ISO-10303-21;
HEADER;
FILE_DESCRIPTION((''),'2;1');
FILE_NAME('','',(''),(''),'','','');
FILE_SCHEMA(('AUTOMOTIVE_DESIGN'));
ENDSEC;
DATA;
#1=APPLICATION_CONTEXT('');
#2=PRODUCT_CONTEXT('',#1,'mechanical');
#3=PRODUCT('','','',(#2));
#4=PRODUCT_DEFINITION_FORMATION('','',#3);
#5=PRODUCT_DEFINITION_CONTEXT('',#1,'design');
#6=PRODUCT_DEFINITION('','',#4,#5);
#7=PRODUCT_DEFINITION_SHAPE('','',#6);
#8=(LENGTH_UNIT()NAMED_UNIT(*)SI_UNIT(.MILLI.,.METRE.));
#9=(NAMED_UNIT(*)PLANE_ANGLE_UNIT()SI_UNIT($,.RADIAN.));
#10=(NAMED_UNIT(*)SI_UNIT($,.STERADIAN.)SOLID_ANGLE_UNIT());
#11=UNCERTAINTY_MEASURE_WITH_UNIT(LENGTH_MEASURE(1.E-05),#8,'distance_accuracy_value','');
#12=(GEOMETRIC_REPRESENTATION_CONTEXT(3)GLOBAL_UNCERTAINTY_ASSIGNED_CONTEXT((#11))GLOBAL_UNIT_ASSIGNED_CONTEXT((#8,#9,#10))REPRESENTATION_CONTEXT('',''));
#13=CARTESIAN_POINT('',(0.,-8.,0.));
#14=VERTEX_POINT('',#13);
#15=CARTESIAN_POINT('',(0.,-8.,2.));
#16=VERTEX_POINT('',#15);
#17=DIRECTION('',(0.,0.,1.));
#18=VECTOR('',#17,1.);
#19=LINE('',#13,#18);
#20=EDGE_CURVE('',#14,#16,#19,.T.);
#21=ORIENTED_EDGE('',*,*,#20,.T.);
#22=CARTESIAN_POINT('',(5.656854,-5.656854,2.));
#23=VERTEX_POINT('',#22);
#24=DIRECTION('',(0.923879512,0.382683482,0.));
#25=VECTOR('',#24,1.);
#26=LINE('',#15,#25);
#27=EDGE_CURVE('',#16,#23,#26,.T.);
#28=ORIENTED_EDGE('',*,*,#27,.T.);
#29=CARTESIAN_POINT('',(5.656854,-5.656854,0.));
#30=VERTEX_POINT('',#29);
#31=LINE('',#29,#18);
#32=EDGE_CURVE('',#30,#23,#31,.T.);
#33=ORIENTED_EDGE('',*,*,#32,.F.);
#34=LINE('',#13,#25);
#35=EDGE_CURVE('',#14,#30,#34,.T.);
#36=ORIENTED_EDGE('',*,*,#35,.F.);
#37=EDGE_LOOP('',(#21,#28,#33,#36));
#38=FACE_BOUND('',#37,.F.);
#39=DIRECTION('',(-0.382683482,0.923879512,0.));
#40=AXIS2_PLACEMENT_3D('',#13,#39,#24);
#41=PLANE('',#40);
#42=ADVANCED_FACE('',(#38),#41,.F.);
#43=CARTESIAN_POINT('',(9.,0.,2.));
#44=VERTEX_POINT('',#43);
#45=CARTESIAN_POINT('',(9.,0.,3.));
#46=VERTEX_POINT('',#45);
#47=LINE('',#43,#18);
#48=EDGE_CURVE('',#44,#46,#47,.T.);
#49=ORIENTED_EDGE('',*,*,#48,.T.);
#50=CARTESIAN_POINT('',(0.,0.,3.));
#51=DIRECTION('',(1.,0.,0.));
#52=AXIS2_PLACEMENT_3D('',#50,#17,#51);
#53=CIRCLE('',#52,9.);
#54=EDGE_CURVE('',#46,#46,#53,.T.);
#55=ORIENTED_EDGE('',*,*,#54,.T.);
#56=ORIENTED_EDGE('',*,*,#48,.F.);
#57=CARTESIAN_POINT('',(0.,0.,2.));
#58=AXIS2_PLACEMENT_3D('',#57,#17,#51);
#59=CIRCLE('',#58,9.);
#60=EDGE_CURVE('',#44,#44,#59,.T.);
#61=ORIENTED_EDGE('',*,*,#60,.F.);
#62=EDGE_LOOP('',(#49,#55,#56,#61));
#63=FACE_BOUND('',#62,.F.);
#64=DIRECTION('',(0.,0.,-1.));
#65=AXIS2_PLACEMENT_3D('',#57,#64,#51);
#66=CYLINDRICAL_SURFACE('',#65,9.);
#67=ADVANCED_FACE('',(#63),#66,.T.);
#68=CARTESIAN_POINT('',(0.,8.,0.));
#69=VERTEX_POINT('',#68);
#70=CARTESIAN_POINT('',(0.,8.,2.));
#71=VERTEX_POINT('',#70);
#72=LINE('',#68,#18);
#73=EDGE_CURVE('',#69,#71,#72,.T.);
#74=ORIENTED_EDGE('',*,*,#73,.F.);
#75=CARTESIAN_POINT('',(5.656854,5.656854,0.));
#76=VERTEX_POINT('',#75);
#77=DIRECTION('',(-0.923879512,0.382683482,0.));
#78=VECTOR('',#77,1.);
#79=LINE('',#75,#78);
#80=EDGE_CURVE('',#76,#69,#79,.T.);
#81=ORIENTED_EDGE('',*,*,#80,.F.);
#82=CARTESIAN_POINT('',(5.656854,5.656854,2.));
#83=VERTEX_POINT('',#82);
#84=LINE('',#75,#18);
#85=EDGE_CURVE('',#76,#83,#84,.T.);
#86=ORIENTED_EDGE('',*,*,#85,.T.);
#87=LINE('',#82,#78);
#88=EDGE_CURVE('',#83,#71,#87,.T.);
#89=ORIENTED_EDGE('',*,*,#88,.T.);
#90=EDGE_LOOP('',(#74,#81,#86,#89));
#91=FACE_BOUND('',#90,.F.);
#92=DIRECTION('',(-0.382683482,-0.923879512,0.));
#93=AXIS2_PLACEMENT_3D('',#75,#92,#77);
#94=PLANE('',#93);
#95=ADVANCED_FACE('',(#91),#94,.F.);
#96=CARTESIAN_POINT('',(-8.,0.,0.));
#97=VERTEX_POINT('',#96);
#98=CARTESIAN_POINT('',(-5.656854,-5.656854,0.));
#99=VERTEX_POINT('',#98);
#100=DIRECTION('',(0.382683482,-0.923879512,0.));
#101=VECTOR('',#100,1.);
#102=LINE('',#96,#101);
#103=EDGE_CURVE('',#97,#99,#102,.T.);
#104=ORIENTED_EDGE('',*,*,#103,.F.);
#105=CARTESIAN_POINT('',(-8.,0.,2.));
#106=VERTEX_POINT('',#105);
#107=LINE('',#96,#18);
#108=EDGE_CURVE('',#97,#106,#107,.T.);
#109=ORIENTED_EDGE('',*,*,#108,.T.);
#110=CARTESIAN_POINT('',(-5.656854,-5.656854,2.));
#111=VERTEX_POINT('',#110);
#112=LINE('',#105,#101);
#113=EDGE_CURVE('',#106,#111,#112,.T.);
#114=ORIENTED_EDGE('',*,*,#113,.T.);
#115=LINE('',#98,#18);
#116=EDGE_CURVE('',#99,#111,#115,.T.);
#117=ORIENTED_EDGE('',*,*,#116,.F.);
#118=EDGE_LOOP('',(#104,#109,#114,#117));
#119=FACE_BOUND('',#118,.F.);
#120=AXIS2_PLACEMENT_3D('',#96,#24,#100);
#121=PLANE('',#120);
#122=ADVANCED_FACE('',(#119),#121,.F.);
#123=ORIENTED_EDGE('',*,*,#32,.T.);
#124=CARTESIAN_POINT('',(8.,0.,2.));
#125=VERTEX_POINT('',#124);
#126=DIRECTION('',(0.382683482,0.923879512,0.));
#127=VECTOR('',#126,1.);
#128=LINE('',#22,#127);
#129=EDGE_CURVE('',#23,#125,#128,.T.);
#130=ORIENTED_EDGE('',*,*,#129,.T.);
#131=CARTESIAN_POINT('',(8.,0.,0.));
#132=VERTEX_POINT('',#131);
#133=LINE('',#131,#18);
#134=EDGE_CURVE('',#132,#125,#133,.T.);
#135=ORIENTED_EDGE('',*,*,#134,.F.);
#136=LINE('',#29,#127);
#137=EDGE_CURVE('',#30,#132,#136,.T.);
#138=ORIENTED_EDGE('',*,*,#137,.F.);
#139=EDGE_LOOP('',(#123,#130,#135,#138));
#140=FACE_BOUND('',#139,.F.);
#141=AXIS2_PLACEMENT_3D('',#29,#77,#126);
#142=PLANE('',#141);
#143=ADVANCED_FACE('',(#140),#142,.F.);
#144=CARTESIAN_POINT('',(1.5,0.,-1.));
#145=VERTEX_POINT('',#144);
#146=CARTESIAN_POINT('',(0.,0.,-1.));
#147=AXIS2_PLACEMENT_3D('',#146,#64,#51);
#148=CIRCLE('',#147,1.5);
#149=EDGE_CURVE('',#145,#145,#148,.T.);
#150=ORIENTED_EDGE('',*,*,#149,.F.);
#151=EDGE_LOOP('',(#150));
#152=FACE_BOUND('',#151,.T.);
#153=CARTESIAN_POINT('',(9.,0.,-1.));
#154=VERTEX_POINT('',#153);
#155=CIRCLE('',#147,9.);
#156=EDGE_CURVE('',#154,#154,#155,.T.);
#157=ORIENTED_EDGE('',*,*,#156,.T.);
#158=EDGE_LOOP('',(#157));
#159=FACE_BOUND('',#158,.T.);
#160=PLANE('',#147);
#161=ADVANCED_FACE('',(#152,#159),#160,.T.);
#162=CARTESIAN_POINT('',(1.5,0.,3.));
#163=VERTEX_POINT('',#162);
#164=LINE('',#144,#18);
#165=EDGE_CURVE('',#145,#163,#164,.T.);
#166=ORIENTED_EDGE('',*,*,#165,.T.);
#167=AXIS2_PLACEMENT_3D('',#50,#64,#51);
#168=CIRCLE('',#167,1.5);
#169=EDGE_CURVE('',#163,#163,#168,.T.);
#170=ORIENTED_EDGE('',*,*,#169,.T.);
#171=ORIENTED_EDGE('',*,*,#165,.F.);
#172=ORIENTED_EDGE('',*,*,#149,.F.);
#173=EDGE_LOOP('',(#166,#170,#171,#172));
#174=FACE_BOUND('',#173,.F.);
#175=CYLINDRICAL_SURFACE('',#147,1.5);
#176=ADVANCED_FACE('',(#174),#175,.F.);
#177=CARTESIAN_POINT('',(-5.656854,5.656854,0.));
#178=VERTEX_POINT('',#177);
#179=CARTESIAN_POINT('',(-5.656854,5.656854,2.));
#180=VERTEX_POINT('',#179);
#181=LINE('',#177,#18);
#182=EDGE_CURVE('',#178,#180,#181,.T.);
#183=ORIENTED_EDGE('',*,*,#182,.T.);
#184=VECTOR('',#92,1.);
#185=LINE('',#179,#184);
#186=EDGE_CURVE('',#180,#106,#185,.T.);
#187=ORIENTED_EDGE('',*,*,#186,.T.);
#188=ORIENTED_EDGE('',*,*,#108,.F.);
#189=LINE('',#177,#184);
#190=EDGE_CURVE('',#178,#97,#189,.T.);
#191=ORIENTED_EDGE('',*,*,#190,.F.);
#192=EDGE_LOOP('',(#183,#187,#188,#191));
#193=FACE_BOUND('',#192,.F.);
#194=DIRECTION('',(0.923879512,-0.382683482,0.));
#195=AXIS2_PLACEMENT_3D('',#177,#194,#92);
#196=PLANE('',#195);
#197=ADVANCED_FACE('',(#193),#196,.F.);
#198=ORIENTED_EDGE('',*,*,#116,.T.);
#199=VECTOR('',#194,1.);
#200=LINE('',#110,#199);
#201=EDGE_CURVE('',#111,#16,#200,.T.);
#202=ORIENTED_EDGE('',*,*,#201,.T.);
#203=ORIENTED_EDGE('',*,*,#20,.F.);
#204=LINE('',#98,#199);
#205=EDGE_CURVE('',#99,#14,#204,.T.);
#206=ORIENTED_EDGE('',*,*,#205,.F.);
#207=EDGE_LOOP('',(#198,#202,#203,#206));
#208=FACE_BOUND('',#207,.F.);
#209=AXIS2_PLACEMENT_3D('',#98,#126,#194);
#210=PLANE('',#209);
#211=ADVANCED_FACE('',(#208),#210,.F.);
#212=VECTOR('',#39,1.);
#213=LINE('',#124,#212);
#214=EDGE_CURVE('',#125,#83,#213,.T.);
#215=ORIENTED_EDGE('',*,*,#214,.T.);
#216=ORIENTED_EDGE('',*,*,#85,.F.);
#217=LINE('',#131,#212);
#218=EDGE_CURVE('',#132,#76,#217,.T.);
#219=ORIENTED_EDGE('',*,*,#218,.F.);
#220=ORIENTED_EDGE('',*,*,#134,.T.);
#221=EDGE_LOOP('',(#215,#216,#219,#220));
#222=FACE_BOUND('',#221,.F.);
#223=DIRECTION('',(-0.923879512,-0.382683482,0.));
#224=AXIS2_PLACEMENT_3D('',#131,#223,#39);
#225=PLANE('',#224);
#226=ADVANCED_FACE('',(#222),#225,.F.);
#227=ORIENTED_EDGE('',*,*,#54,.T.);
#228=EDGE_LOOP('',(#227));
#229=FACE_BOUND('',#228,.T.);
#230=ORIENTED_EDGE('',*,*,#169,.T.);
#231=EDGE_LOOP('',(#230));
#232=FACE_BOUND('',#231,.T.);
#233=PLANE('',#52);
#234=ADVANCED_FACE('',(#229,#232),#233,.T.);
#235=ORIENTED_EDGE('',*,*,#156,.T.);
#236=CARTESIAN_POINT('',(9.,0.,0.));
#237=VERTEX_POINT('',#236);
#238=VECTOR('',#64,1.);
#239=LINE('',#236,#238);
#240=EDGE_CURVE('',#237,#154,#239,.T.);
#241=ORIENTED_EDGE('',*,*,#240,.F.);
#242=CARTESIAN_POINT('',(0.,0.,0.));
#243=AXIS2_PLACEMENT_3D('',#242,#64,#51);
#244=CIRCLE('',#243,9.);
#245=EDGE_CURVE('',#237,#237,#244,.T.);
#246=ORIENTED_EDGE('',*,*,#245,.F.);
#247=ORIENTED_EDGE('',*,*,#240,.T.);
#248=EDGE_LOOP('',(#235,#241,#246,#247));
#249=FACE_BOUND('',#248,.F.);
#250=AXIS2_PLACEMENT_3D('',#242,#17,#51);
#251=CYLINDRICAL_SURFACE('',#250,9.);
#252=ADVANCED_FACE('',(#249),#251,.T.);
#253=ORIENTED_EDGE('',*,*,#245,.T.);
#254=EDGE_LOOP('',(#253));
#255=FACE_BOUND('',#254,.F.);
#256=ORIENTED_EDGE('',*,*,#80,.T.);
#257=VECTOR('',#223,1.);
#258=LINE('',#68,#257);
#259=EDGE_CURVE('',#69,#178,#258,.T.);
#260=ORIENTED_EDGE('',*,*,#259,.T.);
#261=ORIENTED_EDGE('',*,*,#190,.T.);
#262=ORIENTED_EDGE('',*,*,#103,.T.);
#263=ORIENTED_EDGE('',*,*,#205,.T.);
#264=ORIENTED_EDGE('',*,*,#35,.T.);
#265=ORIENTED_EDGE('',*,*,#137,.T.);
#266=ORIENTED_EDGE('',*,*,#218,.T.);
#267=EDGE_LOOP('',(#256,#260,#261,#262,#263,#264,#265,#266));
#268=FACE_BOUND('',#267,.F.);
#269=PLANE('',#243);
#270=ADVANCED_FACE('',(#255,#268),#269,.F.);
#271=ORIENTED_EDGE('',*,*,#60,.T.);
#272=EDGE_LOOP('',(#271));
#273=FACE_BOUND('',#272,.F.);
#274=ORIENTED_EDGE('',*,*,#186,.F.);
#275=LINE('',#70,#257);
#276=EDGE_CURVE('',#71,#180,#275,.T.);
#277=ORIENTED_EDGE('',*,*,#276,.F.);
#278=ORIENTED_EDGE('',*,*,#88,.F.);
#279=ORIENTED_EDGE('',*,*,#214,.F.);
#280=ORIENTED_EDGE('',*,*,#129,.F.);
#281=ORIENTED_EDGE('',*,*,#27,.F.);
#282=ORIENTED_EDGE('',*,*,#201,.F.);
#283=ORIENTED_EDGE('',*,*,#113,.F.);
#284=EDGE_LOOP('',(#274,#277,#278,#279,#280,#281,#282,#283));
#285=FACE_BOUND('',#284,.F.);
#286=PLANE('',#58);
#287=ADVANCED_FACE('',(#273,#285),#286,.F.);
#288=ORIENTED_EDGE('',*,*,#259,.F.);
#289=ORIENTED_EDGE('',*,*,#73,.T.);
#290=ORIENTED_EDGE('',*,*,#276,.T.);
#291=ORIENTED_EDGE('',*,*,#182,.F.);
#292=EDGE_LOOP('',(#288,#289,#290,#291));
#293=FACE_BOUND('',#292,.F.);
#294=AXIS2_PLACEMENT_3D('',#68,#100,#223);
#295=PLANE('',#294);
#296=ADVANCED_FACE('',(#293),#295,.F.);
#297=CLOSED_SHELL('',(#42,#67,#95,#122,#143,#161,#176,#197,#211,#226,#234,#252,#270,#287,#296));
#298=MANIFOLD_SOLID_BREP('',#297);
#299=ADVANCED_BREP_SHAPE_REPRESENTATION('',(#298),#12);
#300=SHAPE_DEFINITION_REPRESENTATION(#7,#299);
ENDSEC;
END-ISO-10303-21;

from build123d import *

# Parameters (mm, degrees)
PAD_DEPTH    = 2
SKETCH001_R  = 9
PAD001_DEPTH = 1
SKETCH002_R  = 9
PAD002_DEPTH = 1
SKETCH003_R  = 1.5
POCKET_DEPTH = 5


with BuildPart() as part:
    # Sketch → Pad (new body)
    with BuildSketch(Plane.XY):
        Polygon((0, 8), (-5.656854, 5.656854), (-8, 0), (-5.656854, -5.656854), (0, -8), (5.656854, -5.656854), (8, 0), (5.656854, 5.656854), align=None)
    extrude(amount=PAD_DEPTH)

    # Sketch001 (on Face10 of Pad) → Pad001 (join)
    with BuildSketch(Plane.XY.offset(2)):
        Circle(SKETCH001_R)
    extrude(amount=PAD001_DEPTH)

    # Sketch002 (on Face12 of Pad001) → Pad002 (join)
    with BuildSketch(Plane(origin=(0, 0, 0), x_dir=(1, 0, 0), z_dir=(0, 0, -1))):
        Circle(SKETCH002_R)
    extrude(amount=PAD002_DEPTH)

    # Sketch003 (on Face3 of Pad002) → Pocket (cut)
    with BuildSketch(Plane(origin=(0, 0, -1), x_dir=(1, 0, 0), z_dir=(0, 0, -1))):
        Circle(SKETCH003_R)
    extrude(amount=-POCKET_DEPTH, mode=Mode.SUBTRACT)


solid = part.part
